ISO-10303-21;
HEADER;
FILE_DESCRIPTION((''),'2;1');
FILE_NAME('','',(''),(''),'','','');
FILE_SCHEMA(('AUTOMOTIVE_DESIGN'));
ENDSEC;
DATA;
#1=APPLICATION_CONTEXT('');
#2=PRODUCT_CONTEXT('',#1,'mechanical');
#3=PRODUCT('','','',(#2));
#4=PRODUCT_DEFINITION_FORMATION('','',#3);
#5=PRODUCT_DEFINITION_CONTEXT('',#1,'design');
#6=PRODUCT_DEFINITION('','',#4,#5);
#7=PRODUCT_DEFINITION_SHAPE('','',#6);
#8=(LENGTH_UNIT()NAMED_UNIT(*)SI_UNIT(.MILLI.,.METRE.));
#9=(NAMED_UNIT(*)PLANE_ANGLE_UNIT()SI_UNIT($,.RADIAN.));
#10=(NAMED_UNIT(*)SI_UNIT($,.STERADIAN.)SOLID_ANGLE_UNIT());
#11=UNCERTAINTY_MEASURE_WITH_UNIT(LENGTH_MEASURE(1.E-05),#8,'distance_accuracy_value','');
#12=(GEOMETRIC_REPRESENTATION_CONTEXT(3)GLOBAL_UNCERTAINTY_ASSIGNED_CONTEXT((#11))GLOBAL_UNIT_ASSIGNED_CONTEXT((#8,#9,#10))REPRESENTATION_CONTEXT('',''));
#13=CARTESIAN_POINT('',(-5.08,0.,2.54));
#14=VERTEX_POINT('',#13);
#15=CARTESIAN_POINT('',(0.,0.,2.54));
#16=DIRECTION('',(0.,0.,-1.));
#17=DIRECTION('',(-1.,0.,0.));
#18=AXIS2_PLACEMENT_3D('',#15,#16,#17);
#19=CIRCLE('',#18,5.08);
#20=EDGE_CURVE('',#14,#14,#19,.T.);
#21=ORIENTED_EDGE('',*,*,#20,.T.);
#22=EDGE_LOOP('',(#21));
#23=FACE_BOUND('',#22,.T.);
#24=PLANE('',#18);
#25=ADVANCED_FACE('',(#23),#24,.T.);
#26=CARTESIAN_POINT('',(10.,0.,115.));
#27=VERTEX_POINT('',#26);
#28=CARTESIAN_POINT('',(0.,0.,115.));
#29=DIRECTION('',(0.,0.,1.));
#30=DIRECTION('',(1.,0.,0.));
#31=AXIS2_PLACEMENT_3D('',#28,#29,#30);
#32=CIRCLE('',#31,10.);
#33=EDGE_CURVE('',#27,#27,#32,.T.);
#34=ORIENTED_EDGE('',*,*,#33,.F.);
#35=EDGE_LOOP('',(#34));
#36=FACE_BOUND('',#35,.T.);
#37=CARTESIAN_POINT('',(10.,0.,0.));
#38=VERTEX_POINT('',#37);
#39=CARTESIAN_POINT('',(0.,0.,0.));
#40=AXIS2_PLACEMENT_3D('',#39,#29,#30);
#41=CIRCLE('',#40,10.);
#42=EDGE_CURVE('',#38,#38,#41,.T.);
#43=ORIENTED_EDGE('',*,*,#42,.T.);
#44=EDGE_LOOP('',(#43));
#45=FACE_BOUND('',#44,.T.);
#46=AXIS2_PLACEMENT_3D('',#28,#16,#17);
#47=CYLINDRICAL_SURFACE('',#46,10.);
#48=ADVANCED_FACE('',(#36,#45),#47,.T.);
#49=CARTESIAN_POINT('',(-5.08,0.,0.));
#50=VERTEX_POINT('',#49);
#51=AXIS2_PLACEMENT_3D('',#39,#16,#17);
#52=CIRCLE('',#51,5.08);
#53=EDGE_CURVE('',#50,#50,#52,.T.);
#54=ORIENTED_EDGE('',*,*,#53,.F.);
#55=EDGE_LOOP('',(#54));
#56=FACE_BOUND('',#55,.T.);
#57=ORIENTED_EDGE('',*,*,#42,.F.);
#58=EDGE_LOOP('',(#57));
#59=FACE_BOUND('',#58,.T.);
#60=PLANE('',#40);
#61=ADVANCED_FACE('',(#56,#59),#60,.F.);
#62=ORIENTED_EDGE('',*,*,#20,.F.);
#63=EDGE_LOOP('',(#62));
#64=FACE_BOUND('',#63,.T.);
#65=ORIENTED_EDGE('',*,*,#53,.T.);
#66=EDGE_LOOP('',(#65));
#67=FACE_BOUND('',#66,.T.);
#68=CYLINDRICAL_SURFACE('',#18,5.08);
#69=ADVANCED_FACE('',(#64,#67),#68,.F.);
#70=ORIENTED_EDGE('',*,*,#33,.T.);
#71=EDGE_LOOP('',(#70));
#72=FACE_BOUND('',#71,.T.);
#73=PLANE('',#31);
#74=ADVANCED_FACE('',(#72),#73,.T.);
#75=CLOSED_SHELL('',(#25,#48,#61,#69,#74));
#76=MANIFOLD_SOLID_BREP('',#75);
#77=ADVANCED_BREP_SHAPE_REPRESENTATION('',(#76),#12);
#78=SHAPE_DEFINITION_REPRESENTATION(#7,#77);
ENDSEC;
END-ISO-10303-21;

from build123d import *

# Parameters (mm, degrees)
SKETCH1_R           = 10
BOSS_EXTRUDE1_DEPTH = 115
SKETCH3_R           = 5.08
CUT_EXTRUDE1_DEPTH  = 2.54


with BuildPart() as part:
    # Sketch1 → Boss-Extrude1 (new body)
    with BuildSketch(Plane.XY):
        Circle(SKETCH1_R)
    extrude(amount=BOSS_EXTRUDE1_DEPTH)

    # Sketch3 → Cut-Extrude1 (cut)
    with BuildSketch(Plane(origin=(0, 0, 0), x_dir=(-1, 0, 0), z_dir=(0, 0, -1))):
        Circle(SKETCH3_R)
    extrude(amount=-CUT_EXTRUDE1_DEPTH, mode=Mode.SUBTRACT)


solid = part.part
